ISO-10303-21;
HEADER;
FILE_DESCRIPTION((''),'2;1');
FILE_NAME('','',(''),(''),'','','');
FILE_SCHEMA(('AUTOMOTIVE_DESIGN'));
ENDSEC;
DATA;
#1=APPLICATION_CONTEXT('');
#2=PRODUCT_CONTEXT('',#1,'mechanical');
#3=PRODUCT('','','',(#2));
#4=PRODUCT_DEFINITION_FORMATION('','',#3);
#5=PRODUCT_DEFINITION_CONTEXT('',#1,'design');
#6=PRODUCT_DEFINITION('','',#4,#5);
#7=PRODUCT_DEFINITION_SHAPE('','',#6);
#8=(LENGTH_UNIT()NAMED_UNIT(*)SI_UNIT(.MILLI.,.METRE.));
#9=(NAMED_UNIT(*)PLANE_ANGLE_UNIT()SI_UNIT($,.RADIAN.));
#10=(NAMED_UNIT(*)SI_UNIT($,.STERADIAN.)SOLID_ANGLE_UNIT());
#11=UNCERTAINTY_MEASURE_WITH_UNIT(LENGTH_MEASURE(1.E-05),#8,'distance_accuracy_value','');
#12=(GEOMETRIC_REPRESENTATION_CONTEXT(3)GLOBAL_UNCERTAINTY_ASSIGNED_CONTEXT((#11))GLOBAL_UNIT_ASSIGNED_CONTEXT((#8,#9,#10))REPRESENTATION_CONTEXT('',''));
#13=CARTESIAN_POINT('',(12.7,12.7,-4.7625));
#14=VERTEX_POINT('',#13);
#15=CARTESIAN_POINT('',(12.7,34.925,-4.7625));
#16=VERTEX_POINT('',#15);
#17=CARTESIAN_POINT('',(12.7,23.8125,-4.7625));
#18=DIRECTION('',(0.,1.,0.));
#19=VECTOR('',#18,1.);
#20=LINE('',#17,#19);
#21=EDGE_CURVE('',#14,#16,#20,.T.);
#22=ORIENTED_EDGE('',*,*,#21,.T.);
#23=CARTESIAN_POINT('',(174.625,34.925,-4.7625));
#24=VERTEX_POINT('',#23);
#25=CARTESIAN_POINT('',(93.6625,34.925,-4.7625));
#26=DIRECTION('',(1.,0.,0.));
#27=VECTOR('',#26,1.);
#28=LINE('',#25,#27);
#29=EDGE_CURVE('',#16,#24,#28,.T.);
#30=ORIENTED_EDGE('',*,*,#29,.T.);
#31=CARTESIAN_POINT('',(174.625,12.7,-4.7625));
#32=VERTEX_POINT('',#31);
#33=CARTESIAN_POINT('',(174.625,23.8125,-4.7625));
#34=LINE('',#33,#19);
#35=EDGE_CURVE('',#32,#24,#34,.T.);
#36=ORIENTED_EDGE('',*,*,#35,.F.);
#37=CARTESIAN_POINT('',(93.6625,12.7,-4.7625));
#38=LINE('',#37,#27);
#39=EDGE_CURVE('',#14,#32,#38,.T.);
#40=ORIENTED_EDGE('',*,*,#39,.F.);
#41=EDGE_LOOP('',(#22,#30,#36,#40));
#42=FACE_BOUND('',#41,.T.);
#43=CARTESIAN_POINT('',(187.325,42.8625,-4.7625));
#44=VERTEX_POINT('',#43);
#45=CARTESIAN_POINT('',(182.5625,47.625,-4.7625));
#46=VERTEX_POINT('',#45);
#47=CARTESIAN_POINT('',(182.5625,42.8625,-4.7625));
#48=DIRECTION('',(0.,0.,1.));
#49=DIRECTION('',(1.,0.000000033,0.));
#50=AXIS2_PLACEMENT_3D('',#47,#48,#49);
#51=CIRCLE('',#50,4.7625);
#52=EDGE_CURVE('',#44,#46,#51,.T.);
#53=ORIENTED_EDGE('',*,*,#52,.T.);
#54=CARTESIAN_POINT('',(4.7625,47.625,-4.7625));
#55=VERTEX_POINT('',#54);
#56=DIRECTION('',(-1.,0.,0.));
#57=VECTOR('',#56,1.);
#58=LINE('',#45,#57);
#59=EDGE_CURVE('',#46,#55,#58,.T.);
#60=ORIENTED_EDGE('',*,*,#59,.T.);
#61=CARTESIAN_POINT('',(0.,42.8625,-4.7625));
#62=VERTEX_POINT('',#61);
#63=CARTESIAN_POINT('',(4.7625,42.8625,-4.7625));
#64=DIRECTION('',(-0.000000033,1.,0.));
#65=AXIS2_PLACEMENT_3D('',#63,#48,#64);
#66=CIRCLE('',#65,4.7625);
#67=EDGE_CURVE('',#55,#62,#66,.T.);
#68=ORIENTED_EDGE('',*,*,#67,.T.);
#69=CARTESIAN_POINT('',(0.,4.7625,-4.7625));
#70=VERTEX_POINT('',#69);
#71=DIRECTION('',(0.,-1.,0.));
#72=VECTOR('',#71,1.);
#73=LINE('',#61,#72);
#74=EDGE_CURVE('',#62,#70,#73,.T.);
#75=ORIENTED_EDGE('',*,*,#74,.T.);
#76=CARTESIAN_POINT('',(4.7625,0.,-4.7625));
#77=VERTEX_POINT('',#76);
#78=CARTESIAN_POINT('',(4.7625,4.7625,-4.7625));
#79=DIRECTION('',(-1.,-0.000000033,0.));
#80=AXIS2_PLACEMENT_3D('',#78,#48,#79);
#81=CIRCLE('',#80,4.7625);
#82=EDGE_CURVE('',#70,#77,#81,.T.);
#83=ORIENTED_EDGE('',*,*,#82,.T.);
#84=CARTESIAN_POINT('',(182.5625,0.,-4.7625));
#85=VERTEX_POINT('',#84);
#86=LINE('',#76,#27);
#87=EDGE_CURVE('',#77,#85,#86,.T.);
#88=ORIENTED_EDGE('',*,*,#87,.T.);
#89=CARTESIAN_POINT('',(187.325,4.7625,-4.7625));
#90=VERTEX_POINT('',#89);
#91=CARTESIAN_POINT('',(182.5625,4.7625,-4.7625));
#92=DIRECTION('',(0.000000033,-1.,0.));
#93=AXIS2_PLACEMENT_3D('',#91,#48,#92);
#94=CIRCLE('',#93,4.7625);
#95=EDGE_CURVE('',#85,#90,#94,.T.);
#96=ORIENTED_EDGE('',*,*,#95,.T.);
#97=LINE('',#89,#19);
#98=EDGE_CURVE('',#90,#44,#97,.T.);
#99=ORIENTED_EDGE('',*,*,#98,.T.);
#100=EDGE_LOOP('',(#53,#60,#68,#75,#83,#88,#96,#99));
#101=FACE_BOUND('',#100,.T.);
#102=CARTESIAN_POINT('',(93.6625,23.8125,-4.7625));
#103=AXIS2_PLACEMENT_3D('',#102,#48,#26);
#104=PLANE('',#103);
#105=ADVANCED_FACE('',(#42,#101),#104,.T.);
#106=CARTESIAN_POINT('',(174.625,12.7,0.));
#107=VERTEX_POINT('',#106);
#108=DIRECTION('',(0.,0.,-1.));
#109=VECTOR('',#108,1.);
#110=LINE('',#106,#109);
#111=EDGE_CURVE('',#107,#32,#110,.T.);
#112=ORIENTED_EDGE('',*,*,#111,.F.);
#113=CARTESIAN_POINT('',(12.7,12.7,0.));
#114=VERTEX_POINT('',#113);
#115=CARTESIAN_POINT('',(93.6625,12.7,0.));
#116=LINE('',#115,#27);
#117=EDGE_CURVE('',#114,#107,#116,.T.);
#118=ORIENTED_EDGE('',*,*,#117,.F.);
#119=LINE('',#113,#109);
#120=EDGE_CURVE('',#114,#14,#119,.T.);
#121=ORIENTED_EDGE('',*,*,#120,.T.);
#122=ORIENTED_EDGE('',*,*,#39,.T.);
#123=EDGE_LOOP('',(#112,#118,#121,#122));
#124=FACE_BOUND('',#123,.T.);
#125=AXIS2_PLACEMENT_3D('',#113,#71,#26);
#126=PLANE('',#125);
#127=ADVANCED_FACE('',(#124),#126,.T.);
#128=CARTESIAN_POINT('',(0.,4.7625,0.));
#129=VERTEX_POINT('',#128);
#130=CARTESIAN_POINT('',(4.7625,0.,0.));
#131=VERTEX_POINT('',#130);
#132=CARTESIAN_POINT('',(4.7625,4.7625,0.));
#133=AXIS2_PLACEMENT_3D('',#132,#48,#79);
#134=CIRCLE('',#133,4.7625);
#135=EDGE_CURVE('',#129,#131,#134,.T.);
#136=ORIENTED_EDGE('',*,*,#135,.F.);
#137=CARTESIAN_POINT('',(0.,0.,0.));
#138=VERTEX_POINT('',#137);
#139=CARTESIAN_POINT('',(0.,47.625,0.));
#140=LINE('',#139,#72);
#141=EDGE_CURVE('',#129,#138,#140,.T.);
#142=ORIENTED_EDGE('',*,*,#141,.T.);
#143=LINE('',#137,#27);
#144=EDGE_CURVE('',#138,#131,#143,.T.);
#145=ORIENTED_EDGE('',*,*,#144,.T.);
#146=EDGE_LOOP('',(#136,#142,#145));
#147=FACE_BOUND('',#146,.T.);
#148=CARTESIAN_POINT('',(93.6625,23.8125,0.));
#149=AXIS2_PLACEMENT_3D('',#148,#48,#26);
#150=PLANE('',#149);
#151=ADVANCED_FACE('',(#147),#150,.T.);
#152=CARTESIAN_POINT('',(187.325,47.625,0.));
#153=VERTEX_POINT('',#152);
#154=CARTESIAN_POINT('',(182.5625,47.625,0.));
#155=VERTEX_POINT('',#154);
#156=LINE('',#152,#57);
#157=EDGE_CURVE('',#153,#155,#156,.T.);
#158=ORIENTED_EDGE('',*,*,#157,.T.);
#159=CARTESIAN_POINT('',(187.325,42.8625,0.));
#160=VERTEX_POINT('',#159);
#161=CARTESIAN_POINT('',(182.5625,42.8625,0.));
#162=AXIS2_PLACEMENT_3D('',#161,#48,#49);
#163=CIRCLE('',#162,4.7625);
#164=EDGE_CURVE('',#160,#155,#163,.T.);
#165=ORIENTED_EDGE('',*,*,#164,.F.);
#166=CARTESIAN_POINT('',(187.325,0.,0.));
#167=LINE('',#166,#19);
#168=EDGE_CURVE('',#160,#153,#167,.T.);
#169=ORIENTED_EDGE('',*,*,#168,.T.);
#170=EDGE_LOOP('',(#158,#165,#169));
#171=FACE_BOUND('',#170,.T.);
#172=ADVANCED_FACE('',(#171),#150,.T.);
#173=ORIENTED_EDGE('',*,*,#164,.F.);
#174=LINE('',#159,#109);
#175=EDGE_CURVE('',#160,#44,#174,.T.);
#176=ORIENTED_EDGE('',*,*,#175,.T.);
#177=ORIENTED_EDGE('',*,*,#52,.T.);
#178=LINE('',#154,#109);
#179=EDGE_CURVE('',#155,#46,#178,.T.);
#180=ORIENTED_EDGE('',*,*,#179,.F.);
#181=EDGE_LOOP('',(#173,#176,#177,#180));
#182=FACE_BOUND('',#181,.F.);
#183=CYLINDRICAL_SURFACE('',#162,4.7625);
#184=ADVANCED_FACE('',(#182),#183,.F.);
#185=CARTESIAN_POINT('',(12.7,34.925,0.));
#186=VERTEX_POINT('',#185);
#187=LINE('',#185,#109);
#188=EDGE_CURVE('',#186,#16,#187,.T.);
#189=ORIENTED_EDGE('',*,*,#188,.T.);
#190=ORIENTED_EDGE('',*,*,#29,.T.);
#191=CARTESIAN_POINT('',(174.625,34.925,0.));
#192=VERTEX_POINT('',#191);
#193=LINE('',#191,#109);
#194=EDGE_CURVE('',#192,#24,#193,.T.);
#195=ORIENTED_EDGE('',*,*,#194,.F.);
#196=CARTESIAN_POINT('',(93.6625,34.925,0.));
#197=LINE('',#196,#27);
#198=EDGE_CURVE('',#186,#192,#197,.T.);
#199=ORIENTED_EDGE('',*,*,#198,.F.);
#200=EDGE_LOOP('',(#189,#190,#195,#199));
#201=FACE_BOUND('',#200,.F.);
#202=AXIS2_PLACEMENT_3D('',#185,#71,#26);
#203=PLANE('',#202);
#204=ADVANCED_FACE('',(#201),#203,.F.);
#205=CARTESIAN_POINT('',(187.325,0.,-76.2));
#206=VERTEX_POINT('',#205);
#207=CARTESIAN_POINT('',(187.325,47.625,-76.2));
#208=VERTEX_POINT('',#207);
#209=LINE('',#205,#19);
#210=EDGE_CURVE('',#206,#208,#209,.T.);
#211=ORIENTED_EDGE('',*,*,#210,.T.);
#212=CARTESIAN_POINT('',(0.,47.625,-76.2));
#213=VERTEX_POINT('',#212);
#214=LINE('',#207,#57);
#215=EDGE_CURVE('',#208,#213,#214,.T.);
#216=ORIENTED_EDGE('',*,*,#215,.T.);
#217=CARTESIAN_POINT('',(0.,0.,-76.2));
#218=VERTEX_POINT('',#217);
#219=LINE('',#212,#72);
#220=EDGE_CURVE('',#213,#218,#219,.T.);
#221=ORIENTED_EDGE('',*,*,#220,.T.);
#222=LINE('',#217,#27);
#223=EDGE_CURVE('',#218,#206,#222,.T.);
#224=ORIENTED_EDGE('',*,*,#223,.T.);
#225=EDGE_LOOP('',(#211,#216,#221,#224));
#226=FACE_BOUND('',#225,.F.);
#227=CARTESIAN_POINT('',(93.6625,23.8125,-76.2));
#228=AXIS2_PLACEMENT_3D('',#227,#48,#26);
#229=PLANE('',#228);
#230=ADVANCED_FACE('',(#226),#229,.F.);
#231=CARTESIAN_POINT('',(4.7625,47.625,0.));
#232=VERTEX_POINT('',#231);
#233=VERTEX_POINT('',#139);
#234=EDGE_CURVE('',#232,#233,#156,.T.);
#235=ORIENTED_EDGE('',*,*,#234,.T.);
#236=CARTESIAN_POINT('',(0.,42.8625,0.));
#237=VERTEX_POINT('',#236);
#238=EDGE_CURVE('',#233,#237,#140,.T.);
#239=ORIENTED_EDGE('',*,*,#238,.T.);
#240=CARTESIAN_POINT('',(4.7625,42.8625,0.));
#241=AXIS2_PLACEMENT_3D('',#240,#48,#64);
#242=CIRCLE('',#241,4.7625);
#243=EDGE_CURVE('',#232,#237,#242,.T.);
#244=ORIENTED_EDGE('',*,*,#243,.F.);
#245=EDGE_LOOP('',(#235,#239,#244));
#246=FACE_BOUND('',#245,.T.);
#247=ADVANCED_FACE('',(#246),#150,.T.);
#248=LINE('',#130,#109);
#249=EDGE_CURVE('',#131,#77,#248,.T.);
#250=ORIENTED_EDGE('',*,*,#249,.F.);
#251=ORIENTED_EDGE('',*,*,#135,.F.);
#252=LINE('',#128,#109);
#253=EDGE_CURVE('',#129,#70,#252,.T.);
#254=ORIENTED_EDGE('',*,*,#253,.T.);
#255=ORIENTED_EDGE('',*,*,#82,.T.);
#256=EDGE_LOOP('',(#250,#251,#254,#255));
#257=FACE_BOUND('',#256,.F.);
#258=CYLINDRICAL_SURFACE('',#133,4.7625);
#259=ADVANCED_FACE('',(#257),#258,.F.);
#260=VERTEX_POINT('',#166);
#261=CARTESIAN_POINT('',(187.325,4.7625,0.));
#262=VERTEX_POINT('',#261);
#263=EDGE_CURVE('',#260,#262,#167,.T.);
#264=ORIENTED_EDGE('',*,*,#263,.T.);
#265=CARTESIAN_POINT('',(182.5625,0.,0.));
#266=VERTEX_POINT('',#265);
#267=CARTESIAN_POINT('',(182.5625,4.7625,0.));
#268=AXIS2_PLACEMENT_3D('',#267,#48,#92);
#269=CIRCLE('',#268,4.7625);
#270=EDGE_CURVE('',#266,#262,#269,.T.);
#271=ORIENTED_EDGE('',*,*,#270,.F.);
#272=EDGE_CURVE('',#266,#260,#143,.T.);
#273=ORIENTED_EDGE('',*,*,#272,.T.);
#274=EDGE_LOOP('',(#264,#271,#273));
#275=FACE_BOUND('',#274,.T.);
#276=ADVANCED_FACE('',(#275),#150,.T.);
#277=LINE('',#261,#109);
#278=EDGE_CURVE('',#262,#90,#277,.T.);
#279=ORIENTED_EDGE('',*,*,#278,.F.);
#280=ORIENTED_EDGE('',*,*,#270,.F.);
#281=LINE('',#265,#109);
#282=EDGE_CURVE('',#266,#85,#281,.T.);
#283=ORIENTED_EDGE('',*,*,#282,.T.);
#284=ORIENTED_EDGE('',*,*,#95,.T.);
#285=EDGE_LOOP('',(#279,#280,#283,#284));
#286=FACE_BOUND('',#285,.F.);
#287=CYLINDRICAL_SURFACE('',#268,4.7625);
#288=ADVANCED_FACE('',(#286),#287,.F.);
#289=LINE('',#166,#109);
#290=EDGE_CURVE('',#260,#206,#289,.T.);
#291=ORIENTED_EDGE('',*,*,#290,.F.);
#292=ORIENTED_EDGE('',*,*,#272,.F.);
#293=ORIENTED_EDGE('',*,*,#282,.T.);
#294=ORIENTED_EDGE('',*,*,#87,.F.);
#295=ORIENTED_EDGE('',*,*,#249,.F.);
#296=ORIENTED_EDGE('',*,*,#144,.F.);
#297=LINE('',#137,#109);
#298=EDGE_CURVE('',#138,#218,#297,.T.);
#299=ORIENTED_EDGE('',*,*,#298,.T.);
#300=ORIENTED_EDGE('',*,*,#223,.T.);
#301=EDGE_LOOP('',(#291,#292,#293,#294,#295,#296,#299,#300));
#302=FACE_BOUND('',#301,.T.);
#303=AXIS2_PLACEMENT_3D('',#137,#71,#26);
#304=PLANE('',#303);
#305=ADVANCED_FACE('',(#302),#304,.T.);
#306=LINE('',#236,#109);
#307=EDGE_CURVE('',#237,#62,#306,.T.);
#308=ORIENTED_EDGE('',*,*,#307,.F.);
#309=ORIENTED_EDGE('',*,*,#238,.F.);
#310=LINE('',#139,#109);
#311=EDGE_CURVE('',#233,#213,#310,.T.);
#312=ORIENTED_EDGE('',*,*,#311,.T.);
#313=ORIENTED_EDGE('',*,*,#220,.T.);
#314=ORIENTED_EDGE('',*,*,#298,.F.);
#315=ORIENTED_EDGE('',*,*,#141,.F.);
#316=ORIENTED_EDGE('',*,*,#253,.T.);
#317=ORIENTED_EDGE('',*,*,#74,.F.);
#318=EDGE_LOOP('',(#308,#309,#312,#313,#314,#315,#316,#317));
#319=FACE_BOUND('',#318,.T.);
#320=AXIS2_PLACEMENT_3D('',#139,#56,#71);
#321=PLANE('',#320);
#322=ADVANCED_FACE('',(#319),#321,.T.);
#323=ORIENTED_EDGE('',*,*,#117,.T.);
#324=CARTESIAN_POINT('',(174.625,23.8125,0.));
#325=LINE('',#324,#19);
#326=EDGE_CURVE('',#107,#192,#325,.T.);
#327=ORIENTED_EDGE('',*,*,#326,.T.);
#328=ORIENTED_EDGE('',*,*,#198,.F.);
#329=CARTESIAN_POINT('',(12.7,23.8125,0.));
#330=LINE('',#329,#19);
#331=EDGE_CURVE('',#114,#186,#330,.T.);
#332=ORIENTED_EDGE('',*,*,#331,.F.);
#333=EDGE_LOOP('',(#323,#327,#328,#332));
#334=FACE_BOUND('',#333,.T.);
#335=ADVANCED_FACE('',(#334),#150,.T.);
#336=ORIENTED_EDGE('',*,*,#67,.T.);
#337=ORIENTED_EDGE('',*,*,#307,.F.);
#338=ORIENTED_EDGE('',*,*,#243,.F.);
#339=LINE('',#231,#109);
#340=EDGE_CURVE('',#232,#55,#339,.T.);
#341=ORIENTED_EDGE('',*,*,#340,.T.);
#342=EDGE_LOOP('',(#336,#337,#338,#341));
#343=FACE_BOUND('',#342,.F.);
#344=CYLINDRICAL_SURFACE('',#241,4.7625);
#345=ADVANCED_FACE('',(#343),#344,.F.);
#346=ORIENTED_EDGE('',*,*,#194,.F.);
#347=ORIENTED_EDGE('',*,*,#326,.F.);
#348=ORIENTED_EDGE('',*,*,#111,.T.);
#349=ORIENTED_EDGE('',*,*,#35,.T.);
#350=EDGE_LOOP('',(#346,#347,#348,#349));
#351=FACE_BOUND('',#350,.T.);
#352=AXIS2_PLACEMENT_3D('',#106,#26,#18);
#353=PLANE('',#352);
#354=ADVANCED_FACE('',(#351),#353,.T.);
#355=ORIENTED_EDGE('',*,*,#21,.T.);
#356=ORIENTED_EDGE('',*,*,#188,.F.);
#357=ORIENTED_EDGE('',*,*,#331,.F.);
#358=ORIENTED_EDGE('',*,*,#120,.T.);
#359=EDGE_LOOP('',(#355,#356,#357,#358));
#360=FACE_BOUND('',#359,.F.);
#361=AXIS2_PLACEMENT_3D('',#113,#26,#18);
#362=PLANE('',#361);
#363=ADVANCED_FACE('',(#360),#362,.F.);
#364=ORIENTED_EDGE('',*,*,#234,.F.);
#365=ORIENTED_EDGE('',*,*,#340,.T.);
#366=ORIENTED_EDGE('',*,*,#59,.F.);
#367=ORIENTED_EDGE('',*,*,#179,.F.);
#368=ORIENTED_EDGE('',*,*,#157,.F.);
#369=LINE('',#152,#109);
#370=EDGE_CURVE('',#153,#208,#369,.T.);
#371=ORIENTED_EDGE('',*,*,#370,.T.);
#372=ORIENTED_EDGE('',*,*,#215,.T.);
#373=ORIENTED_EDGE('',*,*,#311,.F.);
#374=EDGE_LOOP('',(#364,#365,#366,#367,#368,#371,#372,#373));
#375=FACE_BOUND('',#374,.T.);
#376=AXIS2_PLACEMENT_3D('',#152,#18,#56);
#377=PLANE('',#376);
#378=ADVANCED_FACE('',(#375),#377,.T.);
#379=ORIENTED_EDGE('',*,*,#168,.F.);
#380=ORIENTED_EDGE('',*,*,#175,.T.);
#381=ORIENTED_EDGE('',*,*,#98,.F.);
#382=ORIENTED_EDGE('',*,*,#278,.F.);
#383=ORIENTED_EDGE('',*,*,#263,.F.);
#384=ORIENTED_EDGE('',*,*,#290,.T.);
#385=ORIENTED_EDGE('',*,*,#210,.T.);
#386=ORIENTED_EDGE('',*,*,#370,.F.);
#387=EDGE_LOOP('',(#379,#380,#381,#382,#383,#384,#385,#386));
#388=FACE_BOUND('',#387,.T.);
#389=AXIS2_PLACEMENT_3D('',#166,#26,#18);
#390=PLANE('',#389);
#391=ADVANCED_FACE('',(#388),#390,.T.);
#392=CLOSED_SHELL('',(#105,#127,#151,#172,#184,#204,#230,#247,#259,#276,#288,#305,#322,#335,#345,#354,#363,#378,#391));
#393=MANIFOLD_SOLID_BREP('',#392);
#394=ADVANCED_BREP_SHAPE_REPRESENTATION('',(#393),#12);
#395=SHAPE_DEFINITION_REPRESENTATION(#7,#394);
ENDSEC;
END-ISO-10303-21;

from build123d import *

# Parameters (mm, degrees)
F1_DEPTH = 76.2
F2_W     = 161.925
F2_H     = 22.225
F3_DEPTH = 4.7625


with BuildPart() as f1:
    # F0 (on Top) → F1 (new body)
    with BuildSketch(Plane.XY):
        Polygon((0, 0), (4.7625, 0), (182.5625, 0), (187.325, 0), (187.325, 4.7625), (187.325, 42.8625), (187.325, 47.625), (182.5625, 47.625), (4.7625, 47.625), (0, 47.625), (0, 42.8625), (0, 4.7625), align=None)
    extrude(amount=-F1_DEPTH)

    # F2 (on face) → F3 (cut)
    with BuildSketch(Plane.XY):
        with BuildLine():
            Line((187.325, 4.7625), (187.325, 42.8625))
            ThreePointArc((187.325, 42.8625), (185.930096, 46.230096), (182.5625, 47.625))
            Line((182.5625, 47.625), (4.7625, 47.625))
            ThreePointArc((4.7625, 47.625), (1.394904, 46.230096), (0, 42.8625))
            Line((0, 42.8625), (0, 4.7625))
            ThreePointArc((0, 4.7625), (1.394904, 1.394904), (4.7625, 0))
            Line((4.7625, 0), (182.5625, 0))
            ThreePointArc((182.5625, 0), (185.930096, 1.394904), (187.325, 4.7625))
        make_face()
        with Locations((93.6625, 23.8125)):
            Rectangle(F2_W, F2_H, mode=Mode.SUBTRACT)
    extrude(amount=-F3_DEPTH, mode=Mode.SUBTRACT)


solid = f1.part
